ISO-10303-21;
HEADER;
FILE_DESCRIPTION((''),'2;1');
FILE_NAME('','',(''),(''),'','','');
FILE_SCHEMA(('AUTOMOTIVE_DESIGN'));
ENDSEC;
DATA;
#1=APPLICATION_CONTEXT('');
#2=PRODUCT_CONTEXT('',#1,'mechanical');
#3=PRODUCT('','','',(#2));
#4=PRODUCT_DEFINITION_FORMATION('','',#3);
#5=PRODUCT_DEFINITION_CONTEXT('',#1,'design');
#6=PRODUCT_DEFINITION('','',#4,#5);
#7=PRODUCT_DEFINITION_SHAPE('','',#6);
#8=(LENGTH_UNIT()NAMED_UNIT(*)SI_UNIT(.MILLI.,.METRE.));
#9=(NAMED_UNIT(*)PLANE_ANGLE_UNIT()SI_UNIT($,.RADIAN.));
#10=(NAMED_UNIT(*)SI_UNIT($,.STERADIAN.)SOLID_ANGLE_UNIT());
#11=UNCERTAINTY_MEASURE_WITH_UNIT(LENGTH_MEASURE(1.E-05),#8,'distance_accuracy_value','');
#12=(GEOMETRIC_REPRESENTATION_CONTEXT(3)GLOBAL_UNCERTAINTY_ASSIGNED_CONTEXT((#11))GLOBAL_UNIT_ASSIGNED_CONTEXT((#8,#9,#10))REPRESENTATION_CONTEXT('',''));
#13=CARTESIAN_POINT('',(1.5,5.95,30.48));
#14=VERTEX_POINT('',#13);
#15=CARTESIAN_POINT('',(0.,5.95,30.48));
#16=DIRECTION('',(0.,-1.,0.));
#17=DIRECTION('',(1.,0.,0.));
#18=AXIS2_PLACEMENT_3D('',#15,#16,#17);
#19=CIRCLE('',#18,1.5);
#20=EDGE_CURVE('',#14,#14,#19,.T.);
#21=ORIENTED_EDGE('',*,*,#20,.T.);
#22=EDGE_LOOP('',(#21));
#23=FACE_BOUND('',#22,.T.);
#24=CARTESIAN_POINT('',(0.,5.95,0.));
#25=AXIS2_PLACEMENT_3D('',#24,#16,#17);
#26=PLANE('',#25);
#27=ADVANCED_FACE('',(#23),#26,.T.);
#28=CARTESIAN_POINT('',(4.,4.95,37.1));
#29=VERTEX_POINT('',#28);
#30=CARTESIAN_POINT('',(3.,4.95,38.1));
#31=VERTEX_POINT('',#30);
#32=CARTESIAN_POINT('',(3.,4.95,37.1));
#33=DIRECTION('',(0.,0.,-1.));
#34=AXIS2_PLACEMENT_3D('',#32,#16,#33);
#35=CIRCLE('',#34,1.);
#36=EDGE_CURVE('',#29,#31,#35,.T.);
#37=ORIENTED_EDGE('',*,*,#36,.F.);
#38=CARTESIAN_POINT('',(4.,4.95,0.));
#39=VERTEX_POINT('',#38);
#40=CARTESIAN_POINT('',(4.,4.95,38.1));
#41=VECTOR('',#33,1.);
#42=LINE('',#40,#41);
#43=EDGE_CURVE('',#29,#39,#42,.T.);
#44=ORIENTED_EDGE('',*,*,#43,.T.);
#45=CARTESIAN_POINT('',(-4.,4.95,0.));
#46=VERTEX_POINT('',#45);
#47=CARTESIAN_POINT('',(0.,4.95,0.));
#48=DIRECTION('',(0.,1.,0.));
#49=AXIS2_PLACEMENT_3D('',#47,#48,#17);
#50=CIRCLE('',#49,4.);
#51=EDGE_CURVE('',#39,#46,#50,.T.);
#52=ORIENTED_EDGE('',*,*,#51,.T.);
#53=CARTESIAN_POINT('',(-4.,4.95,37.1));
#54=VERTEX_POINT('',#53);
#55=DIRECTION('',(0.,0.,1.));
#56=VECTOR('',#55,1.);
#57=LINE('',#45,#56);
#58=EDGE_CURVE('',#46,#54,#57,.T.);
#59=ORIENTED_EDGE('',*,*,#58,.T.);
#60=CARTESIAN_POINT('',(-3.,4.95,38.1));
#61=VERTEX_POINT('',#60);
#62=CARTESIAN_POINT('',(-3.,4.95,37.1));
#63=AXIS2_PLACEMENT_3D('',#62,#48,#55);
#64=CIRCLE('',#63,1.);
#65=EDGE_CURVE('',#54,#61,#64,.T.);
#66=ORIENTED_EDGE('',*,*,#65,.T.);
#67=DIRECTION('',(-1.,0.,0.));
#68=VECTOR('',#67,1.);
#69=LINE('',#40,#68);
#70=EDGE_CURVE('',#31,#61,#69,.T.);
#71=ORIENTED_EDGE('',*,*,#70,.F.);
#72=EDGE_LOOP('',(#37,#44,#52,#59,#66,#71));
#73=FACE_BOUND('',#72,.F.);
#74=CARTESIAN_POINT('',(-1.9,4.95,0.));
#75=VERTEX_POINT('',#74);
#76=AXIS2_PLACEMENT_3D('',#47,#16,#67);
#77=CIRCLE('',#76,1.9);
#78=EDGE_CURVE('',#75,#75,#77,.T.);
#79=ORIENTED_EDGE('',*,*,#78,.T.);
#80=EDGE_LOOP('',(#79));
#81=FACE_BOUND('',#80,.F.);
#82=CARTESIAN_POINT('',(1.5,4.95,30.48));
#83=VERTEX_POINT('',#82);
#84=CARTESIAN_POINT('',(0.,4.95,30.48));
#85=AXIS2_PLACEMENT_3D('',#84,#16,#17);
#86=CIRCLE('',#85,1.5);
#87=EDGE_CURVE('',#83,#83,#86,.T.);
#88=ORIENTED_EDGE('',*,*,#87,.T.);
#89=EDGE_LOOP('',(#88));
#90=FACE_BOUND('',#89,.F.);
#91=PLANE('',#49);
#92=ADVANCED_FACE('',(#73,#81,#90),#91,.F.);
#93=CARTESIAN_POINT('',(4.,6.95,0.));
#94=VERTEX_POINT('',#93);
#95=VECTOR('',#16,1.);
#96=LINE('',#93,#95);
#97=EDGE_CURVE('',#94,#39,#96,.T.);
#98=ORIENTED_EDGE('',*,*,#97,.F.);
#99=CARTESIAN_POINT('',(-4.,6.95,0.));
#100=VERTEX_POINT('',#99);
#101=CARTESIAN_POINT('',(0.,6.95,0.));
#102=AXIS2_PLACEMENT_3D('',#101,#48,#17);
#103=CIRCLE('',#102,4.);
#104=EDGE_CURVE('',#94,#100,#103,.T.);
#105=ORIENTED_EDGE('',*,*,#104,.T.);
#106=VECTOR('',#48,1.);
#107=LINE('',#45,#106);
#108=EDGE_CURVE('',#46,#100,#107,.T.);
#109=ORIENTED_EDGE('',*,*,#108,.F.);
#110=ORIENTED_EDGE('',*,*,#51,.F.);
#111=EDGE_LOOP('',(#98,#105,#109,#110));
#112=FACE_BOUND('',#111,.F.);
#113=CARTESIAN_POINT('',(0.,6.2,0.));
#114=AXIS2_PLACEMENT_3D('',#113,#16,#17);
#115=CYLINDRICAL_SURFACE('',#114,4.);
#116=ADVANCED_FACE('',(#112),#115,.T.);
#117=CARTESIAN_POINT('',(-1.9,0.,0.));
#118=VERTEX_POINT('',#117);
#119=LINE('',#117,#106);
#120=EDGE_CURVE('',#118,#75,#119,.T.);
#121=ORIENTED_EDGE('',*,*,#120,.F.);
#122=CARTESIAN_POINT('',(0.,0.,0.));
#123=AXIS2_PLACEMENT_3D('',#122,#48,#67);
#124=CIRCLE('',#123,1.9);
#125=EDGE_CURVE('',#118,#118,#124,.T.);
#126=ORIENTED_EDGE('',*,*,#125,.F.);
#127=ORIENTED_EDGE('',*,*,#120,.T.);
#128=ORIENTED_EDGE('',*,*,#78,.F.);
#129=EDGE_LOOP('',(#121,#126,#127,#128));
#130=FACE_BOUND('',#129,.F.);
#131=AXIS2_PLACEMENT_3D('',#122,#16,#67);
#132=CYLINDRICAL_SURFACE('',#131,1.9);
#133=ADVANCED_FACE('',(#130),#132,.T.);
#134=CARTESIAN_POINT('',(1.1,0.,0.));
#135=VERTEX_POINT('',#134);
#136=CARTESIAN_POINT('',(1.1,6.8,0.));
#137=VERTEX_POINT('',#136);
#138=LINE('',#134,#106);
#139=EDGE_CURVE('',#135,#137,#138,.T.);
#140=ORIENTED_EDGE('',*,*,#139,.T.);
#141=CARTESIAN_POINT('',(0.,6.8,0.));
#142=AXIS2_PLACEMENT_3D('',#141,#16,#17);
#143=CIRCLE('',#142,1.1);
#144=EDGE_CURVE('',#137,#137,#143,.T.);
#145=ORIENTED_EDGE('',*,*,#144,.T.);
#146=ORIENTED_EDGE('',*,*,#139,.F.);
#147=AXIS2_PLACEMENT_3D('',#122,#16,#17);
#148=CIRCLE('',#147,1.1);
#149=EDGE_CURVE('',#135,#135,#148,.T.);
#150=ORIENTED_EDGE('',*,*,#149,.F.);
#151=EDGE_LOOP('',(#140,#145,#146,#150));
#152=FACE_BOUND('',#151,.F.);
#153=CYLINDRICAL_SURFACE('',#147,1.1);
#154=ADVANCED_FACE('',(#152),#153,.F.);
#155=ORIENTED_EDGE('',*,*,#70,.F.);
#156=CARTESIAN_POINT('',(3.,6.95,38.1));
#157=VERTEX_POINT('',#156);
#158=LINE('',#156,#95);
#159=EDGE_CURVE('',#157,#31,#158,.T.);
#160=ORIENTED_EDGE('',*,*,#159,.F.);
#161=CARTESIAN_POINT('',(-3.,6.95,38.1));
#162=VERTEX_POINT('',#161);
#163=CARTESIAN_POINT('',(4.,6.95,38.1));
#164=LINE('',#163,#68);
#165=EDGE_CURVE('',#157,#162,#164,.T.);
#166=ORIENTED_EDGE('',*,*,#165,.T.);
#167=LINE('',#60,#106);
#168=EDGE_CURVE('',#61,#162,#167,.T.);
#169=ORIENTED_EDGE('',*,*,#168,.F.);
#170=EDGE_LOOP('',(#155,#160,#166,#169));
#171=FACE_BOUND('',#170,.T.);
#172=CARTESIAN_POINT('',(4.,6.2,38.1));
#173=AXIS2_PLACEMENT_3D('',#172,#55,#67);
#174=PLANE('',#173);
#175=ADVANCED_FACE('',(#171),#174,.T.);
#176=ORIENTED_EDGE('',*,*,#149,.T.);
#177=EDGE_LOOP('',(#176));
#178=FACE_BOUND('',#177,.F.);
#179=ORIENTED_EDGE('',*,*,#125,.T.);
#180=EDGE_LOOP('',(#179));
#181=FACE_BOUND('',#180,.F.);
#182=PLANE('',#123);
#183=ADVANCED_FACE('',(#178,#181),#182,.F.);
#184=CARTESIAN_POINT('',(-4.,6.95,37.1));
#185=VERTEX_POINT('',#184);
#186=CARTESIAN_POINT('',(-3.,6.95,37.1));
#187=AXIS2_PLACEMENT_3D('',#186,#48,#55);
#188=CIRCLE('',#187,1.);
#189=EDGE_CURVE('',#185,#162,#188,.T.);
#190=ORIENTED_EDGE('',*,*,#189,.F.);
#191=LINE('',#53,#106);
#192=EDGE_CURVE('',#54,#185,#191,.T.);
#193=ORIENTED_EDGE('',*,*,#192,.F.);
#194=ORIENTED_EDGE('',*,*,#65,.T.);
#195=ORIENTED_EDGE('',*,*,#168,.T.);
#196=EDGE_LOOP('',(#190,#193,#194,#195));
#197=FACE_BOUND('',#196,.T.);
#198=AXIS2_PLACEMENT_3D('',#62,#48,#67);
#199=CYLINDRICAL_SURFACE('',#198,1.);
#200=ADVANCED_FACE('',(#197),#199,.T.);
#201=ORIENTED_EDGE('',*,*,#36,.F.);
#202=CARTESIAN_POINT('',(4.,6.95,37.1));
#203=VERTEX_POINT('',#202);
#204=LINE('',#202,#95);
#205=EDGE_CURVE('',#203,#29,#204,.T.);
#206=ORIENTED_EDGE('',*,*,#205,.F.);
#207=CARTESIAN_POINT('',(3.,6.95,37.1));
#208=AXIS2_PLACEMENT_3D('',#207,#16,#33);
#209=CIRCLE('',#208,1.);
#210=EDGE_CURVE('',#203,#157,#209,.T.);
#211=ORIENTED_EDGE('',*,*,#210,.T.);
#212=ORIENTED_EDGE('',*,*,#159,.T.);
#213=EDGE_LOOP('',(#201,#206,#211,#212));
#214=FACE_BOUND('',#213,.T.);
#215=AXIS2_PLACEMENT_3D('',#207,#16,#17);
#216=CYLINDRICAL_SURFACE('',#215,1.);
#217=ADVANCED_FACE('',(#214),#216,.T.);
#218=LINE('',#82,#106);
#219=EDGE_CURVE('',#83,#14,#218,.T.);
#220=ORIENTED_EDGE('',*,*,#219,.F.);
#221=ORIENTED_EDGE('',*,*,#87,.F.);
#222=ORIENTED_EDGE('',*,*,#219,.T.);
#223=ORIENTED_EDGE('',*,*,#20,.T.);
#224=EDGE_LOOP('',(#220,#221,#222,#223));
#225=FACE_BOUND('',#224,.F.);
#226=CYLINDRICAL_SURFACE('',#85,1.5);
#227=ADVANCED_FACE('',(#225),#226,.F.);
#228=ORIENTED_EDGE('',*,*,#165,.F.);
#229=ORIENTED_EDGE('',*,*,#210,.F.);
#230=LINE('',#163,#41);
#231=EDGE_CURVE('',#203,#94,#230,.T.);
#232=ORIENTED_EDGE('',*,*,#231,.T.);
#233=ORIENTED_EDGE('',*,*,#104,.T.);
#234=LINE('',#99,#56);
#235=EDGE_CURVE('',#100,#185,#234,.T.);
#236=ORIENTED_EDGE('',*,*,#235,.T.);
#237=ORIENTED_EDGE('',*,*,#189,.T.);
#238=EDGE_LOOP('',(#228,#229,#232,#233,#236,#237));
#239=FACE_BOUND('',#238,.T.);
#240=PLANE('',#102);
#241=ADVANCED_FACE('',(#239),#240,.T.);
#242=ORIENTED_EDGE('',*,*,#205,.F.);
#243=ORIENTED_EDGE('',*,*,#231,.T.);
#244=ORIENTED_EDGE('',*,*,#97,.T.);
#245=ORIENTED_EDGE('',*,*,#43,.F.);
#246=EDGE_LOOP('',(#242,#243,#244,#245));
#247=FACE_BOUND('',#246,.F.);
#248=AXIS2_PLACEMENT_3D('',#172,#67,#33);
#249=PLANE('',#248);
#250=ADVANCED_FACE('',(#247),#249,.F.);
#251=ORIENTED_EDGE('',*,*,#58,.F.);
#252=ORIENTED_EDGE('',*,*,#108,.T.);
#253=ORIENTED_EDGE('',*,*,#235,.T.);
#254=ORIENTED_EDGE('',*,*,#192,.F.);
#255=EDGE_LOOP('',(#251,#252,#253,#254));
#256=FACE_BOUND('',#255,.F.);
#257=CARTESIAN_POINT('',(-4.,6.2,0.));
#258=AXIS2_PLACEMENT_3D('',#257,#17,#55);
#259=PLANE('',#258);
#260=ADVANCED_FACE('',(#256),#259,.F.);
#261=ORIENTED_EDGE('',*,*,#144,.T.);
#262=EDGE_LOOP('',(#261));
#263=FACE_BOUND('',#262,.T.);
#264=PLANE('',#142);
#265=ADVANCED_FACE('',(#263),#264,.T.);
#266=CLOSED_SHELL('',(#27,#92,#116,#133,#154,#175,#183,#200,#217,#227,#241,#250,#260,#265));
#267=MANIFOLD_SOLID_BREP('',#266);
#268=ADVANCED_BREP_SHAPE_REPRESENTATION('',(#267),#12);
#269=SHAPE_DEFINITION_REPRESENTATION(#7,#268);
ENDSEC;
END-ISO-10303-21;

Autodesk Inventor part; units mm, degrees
ref_plane "YZ Plane" through (0, 0, 0) normal (1, 0, 0) x (0, 1, 0)
ref_plane "XZ Plane" through (0, 0, 0) normal (0, 1, 0) x (-1, 0, 0)
ref_plane "XY Plane" through (0, 0, 0) normal (0, 0, 1) x (1, 0, 0)
sketch "Sketch1" plane through (0, 0, 0) normal (0, 1, 0) x (-1, 0, 0)
  circle A0 centre (0, 0) radius 1.9
  dimension "d0" = 3.8
extrude "Extrusion1" add sketch "Sketch1" along normal blind 6.2
sketch "Sketch2" plane through (0, 6.2, 0) normal (0, 1, 0) x (1, 0, 0)
  line L0 (0, 0) -> (0, -38.1) construction
  line L1 (-4, 0) -> (-4, -38.1)
  line L2 (4, -38.1) -> (4, 0)
  arc A0 (4, 0) -> (-4, 0) centre (0, 0) ccw
  line L3 (4, -38.1) -> (-4, -38.1)
  point P0 (0, -19.05)
  dimension "d6" = 4
  dimension "d7" = 38.1
extrude "Extrusion2" add sketch "Sketch2" along normal blind 0.75 and the other way blind 1.25
sketch "Sketch3" plane through (0, 4.95, 0) normal (0, -1, 0) x (1, 0, 0)
  circle A0 centre (0, 30.48) radius 1.5
  circle A1 centre (0, 0) radius 1.9 projected
  dimension "d11" = 3
  dimension "d12" = 30.48
extrude "Extrusion3" cut sketch "Sketch3" against normal blind 1 contours A0
fillet "Fillet1" radius 1 2 edges at (-4, 5.95, 38.1) (4, 5.95, 38.1)
sketch "Sketch4" plane through (0, 0, 0) normal (0, -1, 0) x (1, 0, 0)
  circle A0 centre (0, 0) radius 1.1
  dimension "d18" = 2.2
extrude "Extrusion4" cut sketch "Sketch4" against normal blind 6.8
properties part number "CC-topHand" material "ABS Plastic"
